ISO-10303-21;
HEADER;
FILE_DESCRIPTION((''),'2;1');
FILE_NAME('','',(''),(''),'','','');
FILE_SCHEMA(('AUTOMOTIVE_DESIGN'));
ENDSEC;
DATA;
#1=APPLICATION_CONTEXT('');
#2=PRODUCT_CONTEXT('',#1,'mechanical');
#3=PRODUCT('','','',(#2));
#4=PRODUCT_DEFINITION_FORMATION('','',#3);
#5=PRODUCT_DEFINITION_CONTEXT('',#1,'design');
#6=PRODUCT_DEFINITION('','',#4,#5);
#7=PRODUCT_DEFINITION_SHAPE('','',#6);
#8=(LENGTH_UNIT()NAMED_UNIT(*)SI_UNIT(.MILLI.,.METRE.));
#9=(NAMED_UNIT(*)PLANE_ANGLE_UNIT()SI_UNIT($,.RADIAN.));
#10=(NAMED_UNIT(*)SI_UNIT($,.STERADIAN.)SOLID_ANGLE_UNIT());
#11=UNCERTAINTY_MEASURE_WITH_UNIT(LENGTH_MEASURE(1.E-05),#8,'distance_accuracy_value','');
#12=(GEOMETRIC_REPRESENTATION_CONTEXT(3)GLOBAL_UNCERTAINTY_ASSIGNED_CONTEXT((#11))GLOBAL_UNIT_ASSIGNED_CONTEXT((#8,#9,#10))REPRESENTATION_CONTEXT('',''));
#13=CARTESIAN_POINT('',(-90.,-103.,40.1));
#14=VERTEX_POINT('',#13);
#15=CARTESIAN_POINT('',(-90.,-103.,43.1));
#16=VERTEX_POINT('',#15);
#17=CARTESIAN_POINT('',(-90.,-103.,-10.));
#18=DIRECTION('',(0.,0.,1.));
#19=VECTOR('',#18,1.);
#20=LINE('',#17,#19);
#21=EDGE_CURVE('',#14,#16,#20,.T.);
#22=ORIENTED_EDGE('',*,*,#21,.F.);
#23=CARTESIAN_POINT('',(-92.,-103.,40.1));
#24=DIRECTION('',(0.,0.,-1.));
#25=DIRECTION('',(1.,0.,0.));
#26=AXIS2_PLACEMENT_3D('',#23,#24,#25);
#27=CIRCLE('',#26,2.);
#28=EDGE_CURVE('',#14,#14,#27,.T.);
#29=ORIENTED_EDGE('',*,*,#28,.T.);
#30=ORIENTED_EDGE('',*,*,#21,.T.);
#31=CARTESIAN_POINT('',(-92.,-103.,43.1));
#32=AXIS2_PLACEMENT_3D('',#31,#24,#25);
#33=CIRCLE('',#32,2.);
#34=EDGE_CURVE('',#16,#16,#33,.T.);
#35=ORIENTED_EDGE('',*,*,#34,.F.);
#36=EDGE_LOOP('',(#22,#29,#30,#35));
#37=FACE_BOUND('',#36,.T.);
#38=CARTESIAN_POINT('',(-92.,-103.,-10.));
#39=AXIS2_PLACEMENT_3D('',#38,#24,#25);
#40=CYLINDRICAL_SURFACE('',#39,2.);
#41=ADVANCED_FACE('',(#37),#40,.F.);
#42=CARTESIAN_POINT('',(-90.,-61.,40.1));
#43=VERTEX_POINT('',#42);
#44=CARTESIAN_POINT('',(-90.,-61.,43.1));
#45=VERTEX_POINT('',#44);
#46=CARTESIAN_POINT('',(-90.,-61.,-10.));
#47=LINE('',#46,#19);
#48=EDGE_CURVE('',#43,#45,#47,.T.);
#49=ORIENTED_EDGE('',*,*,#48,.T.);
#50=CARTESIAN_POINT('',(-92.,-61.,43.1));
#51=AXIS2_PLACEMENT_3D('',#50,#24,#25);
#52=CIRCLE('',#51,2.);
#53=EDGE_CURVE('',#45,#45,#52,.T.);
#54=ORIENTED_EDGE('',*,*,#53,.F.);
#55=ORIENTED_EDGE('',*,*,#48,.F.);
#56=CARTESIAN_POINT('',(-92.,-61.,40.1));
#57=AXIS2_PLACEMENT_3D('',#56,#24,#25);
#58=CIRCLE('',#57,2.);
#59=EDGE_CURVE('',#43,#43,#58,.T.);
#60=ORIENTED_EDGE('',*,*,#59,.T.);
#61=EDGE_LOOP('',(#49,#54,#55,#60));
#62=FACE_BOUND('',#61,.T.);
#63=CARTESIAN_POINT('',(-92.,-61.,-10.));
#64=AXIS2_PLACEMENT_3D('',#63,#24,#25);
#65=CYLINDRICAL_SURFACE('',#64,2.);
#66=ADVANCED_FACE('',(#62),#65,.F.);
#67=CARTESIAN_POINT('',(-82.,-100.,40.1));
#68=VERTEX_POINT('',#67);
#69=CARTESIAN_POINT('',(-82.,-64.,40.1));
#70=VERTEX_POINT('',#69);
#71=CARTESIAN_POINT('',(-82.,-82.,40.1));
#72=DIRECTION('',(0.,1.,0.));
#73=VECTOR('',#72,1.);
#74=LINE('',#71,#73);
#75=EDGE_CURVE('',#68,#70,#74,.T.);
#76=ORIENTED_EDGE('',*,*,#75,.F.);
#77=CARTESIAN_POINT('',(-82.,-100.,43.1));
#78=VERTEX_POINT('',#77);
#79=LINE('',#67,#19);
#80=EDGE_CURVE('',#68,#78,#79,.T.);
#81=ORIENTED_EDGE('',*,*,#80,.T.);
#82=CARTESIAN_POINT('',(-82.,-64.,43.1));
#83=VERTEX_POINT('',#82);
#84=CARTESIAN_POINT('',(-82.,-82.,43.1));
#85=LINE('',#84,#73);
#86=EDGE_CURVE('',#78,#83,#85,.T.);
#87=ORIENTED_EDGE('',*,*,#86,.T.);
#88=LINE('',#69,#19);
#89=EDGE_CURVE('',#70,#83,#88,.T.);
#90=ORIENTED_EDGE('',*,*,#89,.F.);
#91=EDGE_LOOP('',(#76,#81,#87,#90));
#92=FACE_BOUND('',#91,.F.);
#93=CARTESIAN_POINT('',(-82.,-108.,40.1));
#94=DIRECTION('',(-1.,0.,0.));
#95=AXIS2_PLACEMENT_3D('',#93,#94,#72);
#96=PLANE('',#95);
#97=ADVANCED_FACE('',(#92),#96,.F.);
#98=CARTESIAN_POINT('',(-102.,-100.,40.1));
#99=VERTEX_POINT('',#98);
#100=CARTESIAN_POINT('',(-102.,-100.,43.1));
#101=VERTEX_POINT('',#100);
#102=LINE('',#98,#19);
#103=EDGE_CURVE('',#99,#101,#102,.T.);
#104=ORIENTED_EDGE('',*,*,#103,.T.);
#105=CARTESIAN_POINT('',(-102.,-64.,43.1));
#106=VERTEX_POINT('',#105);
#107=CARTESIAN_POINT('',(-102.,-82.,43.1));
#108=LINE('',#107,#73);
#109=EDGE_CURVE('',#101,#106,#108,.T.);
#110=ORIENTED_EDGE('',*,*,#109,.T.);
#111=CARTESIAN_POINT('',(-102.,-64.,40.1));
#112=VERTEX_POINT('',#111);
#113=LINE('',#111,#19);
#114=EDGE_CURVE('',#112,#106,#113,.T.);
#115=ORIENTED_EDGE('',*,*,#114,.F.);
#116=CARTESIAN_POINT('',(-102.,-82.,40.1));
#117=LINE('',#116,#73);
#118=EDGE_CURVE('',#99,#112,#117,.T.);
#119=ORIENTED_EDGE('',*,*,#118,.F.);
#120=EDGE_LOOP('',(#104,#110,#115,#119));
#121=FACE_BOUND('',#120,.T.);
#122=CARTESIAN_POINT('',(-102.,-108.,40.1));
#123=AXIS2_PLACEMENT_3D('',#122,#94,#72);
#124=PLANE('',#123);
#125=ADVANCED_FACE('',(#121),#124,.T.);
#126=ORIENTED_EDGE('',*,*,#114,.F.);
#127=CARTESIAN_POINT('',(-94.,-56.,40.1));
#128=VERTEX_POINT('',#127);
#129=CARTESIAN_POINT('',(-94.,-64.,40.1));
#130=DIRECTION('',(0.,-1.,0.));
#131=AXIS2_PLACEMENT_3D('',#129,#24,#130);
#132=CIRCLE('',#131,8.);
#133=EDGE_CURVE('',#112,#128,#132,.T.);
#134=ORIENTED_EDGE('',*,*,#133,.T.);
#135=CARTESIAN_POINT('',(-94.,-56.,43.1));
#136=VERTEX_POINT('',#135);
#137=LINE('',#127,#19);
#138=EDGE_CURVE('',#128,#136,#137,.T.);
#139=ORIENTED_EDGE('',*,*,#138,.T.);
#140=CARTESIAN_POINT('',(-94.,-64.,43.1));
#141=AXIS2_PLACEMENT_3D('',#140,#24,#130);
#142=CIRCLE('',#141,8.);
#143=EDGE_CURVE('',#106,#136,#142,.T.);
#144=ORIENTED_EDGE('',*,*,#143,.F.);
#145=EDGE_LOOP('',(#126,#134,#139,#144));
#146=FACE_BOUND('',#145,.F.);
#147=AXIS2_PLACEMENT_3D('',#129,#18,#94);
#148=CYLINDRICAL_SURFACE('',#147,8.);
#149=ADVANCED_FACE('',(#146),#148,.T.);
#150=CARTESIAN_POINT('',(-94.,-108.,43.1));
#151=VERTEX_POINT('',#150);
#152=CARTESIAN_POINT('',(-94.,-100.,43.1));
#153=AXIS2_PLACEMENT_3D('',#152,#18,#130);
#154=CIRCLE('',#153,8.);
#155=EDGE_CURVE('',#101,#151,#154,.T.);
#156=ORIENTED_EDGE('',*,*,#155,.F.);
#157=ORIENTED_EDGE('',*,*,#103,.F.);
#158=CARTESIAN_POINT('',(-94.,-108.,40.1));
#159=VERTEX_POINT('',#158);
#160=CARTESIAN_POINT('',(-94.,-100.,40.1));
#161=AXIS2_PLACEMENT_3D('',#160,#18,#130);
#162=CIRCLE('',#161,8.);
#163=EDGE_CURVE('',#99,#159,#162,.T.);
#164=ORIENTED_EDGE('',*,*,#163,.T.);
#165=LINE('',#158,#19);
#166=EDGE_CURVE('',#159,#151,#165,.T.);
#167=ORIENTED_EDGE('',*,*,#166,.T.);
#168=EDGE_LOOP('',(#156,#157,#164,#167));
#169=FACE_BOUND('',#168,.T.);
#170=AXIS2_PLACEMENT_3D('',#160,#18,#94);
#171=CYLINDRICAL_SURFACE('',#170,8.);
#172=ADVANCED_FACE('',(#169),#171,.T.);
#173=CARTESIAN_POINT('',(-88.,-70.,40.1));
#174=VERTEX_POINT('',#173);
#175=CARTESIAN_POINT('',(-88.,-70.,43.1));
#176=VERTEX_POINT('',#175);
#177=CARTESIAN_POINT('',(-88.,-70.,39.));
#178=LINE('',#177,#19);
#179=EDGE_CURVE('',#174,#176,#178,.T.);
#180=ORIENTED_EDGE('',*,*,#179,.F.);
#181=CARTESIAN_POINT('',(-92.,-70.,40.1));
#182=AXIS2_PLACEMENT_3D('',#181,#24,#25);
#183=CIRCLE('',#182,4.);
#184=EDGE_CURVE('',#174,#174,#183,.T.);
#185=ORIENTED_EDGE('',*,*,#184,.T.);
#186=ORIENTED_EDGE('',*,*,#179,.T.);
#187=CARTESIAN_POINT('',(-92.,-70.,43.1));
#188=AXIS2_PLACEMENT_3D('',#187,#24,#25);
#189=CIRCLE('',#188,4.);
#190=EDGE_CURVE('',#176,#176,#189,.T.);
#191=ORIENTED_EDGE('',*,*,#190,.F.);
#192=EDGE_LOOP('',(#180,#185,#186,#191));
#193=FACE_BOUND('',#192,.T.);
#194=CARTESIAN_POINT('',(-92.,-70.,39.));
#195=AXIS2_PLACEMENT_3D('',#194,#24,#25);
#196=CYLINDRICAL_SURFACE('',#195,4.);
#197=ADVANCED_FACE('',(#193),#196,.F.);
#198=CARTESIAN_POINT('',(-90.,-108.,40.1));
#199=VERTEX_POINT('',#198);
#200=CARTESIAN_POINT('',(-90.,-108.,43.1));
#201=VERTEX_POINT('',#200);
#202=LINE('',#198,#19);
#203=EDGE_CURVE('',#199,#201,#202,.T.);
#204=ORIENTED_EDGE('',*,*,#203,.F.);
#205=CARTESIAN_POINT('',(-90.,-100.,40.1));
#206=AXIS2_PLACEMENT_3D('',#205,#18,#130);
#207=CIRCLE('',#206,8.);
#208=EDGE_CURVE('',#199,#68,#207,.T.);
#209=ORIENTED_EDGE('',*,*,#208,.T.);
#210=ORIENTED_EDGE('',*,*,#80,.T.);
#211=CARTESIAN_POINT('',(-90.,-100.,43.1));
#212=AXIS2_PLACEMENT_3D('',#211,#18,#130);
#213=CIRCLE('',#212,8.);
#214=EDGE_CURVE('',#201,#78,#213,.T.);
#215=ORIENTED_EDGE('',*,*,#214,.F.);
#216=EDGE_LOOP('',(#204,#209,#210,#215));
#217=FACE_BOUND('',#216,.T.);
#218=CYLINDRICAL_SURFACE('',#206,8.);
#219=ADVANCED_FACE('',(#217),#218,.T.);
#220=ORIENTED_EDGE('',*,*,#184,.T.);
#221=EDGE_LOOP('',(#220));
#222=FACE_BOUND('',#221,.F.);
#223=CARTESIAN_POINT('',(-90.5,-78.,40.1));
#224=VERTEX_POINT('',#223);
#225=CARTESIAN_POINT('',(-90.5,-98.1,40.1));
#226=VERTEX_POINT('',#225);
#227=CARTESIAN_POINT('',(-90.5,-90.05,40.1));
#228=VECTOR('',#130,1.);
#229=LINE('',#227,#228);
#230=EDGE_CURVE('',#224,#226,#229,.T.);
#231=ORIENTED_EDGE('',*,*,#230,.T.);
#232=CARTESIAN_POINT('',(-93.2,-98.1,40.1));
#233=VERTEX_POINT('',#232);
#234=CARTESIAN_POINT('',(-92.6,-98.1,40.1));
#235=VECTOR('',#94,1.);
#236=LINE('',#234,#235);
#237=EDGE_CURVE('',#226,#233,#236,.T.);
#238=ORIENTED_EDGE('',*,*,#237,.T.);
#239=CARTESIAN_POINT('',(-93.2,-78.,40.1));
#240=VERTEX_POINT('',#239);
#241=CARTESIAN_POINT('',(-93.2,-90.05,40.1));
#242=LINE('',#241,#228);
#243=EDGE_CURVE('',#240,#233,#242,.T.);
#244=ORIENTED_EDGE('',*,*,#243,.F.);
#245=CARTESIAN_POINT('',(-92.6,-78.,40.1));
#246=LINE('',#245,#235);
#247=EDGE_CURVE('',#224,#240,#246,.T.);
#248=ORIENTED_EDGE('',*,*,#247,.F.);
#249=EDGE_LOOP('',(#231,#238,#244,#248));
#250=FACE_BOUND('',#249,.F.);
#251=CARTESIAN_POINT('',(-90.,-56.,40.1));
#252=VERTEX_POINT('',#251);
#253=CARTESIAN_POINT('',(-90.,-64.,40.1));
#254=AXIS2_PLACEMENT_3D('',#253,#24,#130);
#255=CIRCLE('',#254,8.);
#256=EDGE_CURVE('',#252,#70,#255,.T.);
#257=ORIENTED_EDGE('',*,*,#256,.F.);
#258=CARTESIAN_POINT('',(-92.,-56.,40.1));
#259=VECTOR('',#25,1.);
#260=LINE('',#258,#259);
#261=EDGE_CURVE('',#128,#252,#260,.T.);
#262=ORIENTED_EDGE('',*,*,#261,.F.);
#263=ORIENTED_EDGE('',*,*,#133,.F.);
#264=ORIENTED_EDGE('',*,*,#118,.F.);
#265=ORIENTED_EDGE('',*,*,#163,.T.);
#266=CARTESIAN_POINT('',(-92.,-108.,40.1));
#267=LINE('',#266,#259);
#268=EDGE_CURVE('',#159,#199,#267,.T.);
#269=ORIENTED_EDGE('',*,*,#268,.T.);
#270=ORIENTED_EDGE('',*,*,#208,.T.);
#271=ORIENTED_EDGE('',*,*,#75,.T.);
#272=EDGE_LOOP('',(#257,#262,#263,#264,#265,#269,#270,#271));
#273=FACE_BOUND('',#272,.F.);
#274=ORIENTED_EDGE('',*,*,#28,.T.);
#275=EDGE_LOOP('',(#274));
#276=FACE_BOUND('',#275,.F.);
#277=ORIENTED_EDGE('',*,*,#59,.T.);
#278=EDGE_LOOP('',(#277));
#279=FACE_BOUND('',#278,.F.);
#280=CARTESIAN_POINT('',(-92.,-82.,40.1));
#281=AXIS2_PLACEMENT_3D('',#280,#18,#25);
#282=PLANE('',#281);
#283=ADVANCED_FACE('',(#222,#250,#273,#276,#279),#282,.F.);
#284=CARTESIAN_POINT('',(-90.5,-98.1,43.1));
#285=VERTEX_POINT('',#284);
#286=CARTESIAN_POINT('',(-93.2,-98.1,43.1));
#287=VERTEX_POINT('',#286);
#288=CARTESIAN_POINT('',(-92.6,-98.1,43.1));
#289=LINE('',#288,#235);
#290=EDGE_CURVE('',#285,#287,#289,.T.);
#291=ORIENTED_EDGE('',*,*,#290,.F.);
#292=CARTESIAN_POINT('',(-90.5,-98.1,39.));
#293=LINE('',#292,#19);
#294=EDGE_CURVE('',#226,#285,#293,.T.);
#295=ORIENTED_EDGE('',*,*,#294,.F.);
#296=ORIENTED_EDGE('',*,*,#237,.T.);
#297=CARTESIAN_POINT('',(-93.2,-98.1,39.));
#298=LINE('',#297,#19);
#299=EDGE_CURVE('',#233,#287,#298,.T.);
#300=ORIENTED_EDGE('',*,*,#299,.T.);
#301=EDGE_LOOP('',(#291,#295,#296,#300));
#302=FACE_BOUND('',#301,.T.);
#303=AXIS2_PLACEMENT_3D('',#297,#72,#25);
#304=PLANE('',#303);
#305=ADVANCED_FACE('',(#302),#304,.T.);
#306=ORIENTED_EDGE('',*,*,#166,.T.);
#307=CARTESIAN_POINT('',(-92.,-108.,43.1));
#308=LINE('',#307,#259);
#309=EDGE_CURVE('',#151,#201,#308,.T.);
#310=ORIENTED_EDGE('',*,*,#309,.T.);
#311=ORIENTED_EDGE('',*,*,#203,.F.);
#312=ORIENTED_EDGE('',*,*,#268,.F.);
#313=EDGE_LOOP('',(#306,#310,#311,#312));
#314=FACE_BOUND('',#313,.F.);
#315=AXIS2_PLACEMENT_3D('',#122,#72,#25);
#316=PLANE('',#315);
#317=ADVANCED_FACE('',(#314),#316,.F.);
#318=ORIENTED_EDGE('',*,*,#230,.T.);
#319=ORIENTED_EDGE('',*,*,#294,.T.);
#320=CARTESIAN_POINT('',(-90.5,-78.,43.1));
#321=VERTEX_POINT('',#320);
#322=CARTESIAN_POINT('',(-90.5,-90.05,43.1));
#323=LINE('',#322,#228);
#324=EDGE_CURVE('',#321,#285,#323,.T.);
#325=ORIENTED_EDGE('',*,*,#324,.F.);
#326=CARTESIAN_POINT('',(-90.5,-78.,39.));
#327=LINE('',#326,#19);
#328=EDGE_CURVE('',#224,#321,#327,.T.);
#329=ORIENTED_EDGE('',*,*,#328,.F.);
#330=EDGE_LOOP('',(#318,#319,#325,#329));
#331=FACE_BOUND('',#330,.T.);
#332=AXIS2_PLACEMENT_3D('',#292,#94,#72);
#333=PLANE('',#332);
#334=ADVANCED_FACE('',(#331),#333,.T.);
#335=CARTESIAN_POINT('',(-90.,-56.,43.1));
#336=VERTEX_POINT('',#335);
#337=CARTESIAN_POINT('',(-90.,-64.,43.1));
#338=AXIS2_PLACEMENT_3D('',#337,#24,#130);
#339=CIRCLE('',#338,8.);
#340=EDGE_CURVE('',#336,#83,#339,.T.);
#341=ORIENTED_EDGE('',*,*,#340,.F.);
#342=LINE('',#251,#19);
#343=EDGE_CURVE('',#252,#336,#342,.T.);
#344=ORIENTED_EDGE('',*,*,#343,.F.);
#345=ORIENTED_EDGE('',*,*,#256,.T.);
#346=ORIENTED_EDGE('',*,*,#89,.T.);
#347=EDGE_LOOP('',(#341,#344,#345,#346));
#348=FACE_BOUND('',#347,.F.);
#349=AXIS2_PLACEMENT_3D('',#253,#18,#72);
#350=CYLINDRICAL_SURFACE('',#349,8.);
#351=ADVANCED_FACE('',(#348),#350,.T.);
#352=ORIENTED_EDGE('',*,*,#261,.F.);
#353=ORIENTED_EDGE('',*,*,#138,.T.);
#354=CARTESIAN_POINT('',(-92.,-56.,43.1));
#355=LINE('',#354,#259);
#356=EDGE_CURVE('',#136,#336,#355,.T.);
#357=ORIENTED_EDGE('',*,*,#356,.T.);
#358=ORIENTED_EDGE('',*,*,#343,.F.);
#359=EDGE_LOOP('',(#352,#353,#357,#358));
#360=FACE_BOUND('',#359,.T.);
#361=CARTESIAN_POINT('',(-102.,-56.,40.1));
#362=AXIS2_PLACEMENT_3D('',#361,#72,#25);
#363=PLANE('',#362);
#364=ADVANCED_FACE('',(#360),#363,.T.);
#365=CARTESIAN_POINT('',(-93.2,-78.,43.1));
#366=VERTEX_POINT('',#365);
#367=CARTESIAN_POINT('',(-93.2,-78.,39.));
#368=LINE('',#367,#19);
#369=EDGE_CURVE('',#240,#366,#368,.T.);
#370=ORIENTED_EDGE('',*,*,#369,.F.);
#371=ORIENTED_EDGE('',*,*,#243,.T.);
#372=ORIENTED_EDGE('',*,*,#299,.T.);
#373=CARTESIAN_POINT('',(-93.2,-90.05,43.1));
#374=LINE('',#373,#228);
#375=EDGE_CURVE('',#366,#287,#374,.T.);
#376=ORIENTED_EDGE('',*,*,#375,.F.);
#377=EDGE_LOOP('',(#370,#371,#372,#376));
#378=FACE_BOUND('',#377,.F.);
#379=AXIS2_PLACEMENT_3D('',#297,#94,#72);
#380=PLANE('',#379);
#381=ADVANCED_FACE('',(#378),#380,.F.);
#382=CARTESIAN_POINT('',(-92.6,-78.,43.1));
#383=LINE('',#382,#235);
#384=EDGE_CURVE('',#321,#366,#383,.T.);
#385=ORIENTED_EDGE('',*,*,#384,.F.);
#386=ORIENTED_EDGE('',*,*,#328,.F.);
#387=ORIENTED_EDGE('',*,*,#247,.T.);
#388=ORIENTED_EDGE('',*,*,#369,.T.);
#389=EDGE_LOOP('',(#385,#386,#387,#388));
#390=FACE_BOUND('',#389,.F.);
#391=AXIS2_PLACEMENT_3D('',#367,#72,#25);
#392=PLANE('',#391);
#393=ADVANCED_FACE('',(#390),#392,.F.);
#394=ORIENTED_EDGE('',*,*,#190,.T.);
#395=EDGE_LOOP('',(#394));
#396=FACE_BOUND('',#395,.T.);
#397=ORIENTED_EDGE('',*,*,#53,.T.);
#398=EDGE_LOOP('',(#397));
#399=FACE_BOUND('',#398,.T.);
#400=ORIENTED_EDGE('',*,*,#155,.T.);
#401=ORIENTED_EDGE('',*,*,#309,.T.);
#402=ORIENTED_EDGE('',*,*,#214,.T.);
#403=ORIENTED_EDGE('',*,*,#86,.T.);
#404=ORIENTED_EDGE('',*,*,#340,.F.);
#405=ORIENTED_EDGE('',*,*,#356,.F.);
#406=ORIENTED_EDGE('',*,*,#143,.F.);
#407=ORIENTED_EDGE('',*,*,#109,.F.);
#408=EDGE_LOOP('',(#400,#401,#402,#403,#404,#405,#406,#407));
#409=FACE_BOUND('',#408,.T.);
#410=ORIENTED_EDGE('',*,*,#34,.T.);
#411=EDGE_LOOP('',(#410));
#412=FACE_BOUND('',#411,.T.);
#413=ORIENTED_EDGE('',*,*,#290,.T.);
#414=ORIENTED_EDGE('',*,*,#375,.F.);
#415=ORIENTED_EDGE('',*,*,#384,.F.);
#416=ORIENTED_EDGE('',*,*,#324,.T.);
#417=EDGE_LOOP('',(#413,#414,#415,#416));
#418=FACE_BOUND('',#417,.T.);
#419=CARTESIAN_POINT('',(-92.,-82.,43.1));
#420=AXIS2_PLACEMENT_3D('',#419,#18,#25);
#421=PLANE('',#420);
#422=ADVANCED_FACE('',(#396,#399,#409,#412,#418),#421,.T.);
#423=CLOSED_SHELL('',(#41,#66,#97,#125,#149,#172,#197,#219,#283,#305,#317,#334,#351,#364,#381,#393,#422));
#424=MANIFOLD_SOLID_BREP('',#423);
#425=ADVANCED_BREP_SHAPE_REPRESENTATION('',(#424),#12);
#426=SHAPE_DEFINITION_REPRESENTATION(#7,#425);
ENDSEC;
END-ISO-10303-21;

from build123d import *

# Parameters (mm, degrees)
CYLINDER370_R     = 2
CYLINDER370_DEPTH = 65
CYLINDER371_R     = 2
CYLINDER371_DEPTH = 65
CYLINDER368_R     = 4
CYLINDER368_DEPTH = 5
BOX464_W          = 2.7
BOX464_H          = 20.1
BOX464_DEPTH      = 5
BOX461_W          = 20
BOX461_H          = 52
BOX461_DEPTH      = 3
FILLET015_R       = 8


with BuildPart() as cylinder370:
    # Cylinder370 → Cylinder370 (new body)
    with BuildSketch(Plane(origin=(-90, -103, -10), x_dir=(1, 0, 0), z_dir=(0, 0, 1))):
        Circle(CYLINDER370_R)
    extrude(amount=CYLINDER370_DEPTH)


with BuildPart() as fusion368:
    # Cylinder371 → Cylinder371 (new body)
    with BuildSketch(Plane(origin=(-90, -61, -10), x_dir=(1, 0, 0), z_dir=(0, 0, 1))):
        Circle(CYLINDER371_R)
    extrude(amount=CYLINDER371_DEPTH)

    # Fusion368: union Cylinder370
    add(cylinder370.part)


with BuildPart() as fusion368_1:
    # Fusion368 placement: moved
    add(fusion368.part.moved(Location((-2, 0, 0))))


with BuildPart() as cylinder368:
    # Cylinder368 → Cylinder368 (new body)
    with BuildSketch(Plane(origin=(-92, -70, 39), x_dir=(1, 0, 0), z_dir=(0, 0, 1))):
        Circle(CYLINDER368_R)
    extrude(amount=CYLINDER368_DEPTH)


with BuildPart() as box464:
    # Box464 → Box464 (new body)
    with BuildSketch(Plane(origin=(-93.2, -98.1, 39), x_dir=(1, 0, 0), z_dir=(0, 0, 1))):
        with Locations((1.35, 10.05)):
            Rectangle(BOX464_W, BOX464_H)
    extrude(amount=BOX464_DEPTH)


with BuildPart() as cut401:
    # Box461 → Box461 (new body)
    with BuildSketch(Plane(origin=(-102, -108, 40.1), x_dir=(1, 0, 0), z_dir=(0, 0, 1))):
        with Locations((10, 26)):
            Rectangle(BOX461_W, BOX461_H)
    extrude(amount=BOX461_DEPTH)

    # Cut398: cut Box464
    add(box464.part, mode=Mode.SUBTRACT)

    # Fillet015
    fillet015_edges = [cut401.edges().sort_by_distance(p)[0] for p in [
        (-102, -108, 41.6),
        (-102, -56, 41.6),
        (-82, -108, 41.6),
        (-82, -56, 41.6),
    ]]
    fillet(fillet015_edges, radius=FILLET015_R)

    # Cut399: cut Cylinder368
    add(cylinder368.part, mode=Mode.SUBTRACT)

    # Cut401: cut Fusion368
    add(fusion368_1.part, mode=Mode.SUBTRACT)


solid = cut401.part
